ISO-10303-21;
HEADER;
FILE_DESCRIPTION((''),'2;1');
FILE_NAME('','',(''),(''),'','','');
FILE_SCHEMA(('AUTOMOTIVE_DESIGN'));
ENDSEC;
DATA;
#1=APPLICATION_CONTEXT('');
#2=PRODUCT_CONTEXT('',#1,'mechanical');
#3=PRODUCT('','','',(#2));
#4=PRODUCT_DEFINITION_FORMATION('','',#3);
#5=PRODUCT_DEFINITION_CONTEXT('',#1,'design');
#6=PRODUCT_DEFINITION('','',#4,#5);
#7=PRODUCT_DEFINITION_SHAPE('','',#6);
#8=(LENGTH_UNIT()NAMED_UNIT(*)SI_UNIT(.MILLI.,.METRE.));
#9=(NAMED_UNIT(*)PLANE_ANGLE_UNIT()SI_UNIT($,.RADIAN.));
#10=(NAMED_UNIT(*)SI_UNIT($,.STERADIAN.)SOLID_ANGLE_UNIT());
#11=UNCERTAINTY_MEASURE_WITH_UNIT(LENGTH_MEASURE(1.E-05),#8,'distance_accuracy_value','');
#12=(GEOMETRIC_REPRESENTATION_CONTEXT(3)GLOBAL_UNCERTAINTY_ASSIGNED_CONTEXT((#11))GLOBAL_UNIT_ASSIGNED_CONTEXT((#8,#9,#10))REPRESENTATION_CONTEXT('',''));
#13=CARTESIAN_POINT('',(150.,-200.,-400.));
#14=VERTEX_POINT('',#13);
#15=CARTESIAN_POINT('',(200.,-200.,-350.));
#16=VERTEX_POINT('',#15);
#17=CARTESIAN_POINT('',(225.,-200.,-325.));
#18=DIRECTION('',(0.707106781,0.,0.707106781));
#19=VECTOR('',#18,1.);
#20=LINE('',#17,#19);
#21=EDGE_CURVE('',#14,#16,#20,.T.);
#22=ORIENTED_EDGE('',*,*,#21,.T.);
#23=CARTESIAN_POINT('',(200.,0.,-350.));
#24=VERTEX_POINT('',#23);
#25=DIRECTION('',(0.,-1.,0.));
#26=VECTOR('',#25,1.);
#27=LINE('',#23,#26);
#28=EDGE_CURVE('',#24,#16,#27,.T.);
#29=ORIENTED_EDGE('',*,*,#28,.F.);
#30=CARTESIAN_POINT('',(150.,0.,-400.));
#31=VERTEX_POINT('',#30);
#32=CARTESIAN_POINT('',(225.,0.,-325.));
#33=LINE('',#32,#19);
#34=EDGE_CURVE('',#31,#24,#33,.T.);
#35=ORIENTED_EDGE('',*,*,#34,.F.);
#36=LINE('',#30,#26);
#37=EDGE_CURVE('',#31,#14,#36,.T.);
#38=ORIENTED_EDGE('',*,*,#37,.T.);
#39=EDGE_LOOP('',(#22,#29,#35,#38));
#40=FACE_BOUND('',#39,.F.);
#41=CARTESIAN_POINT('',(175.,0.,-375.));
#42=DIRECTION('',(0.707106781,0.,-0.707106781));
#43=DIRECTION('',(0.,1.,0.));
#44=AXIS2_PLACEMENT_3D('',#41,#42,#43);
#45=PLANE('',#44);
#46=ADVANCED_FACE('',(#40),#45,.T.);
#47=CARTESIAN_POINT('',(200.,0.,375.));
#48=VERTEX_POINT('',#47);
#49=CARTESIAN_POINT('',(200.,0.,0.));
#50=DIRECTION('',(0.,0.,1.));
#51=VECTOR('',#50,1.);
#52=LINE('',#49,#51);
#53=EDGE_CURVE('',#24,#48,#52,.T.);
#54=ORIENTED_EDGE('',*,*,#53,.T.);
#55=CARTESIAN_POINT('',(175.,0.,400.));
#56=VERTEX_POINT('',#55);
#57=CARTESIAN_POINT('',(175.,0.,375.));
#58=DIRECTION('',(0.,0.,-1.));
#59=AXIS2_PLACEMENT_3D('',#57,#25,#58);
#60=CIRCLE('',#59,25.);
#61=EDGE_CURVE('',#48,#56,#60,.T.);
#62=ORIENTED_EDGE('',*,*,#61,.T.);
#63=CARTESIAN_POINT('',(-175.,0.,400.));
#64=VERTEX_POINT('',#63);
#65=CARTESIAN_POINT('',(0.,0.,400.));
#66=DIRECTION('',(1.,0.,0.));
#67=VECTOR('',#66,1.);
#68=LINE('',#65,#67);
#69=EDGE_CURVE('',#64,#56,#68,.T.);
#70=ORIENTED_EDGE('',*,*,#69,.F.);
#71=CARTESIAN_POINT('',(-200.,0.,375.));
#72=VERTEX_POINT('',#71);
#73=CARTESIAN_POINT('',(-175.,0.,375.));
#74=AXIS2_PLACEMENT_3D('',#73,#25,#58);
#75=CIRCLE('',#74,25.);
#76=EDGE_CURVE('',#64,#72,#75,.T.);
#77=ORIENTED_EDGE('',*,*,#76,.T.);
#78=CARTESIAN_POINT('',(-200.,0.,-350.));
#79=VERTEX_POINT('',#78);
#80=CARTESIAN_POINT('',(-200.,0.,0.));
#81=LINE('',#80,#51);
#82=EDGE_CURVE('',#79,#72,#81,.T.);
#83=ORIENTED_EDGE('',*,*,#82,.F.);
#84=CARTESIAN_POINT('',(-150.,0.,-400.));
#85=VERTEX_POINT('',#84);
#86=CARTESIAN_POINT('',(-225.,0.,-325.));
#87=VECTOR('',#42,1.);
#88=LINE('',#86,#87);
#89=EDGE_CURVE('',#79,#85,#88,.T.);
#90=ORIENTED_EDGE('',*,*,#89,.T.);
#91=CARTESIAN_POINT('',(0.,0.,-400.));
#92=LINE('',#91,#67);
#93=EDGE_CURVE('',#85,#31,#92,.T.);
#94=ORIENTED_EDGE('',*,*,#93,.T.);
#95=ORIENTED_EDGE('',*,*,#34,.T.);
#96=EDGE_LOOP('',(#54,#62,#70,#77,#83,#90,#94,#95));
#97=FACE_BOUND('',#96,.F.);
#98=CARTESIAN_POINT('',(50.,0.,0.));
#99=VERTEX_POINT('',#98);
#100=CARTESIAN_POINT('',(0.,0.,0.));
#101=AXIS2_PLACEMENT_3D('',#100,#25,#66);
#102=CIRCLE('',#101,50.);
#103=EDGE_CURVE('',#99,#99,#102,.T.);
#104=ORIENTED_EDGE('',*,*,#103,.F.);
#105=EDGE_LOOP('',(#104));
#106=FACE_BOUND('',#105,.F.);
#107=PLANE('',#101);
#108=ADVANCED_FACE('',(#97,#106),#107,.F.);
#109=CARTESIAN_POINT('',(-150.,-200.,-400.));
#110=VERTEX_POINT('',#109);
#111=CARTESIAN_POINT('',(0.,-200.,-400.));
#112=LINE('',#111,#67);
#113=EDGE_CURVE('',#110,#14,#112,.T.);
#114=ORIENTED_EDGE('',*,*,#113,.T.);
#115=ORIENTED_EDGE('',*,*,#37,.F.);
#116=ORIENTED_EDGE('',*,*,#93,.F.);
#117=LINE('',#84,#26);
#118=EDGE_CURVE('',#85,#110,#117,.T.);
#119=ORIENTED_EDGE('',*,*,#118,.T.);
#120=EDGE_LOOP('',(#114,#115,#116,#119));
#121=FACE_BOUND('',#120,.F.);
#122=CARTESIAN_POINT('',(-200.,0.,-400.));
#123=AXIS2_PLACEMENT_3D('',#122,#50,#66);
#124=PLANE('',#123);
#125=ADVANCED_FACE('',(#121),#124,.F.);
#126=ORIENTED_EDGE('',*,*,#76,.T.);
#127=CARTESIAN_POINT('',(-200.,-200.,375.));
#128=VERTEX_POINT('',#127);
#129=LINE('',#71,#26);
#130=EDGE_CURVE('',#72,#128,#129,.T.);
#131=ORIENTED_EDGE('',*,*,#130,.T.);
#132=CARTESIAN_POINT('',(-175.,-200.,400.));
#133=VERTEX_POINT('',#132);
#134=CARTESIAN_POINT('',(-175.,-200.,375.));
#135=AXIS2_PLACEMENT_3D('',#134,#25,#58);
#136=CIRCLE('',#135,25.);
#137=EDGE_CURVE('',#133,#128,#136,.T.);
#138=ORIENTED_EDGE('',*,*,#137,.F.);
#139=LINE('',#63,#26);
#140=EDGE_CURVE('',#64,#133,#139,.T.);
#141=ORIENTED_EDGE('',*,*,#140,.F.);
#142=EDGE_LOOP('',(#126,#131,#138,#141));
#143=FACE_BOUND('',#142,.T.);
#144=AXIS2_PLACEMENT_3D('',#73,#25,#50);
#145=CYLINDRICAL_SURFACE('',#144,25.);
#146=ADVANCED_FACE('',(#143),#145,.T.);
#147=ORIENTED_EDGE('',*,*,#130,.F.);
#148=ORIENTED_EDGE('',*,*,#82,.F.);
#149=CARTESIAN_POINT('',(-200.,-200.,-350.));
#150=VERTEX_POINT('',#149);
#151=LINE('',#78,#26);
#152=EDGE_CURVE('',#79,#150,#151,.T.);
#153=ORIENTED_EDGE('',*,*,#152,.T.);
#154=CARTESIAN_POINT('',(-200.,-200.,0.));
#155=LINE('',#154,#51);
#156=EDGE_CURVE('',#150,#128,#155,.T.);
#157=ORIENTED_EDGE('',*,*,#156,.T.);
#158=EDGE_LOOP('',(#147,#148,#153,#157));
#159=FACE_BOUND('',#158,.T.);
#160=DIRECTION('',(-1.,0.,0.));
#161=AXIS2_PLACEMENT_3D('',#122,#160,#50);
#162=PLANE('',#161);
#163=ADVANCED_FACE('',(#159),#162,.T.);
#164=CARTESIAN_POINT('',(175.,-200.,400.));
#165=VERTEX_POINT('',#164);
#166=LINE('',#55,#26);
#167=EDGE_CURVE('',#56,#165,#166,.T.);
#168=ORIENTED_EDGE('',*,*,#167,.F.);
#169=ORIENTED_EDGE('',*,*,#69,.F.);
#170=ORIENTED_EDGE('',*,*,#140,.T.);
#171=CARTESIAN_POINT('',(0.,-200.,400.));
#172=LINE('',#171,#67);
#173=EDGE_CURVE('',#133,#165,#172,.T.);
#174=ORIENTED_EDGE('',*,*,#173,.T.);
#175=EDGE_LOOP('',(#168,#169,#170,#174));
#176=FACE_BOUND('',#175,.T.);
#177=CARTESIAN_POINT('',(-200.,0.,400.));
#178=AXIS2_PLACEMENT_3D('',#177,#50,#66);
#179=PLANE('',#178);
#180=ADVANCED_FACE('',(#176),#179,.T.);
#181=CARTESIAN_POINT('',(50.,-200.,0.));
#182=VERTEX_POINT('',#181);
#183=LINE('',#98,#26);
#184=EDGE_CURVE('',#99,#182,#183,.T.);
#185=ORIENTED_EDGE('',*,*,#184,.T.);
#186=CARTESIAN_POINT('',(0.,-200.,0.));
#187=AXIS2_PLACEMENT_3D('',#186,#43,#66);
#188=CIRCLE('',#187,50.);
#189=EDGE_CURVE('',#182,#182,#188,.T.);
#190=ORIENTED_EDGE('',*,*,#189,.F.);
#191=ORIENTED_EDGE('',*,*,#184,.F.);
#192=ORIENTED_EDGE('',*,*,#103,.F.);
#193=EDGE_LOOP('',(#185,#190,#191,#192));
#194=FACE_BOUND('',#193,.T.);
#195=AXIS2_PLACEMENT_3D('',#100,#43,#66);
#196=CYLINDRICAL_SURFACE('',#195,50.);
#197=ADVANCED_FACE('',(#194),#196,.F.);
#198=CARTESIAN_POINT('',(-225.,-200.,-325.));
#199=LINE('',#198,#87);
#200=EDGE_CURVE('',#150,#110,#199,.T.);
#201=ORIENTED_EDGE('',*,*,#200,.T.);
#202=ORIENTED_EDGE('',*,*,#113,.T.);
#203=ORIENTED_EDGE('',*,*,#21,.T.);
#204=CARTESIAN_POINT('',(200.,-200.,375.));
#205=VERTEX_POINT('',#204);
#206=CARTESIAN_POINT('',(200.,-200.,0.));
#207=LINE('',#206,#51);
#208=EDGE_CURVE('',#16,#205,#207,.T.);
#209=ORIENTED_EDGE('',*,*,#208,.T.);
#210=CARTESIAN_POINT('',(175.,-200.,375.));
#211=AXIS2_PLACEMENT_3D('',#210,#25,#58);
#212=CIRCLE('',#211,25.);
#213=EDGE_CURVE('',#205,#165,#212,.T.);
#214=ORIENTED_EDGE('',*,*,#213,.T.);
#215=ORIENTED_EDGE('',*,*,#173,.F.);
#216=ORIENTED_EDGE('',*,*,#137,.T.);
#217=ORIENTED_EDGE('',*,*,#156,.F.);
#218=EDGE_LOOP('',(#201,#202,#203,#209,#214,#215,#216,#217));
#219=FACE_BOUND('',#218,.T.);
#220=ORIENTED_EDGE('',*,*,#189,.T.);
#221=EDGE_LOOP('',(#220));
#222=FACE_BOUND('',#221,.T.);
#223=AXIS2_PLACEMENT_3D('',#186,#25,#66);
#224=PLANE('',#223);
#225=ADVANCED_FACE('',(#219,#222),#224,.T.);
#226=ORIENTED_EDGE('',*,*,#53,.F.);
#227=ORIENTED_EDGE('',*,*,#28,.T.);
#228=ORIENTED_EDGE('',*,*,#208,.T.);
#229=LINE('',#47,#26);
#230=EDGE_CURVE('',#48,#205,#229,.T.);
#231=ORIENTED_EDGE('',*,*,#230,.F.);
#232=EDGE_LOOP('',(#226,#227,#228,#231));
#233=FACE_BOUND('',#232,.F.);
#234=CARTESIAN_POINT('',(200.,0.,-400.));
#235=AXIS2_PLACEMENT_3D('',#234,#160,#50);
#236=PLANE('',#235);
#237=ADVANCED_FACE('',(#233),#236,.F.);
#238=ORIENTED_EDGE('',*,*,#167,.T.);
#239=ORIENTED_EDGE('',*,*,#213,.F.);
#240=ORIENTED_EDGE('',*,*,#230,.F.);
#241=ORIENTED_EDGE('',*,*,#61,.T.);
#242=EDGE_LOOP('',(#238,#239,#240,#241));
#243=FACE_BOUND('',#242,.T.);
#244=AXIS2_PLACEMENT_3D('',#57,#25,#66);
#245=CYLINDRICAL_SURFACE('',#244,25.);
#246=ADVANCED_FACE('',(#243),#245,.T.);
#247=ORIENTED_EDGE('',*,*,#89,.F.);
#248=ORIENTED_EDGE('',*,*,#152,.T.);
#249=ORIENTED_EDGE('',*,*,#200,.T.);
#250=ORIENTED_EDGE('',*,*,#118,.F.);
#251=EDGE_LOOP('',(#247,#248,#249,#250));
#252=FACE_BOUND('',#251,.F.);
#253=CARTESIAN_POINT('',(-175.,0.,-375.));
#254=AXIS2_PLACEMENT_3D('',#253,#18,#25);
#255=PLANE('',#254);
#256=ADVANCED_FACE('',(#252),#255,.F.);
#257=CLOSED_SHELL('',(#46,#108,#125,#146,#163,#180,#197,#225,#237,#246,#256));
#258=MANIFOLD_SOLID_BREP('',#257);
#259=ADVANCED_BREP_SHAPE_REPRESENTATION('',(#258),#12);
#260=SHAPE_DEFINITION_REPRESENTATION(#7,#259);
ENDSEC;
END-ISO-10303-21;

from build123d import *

# Parameters (mm, degrees)
F0_W     = 400
F0_H     = 800
F1_DEPTH = 200
F2_R     = 50
F3_DEPTH = 250
F4_SIZE  = 50
F5_SIZE  = 50
F6_R     = 25
F7_R     = 25


with BuildPart() as f1:
    # F0 (on Front) → F1 (new body)
    with BuildSketch(Plane.XZ):
        Rectangle(F0_W, F0_H)
    extrude(amount=F1_DEPTH)

    # F2 (on Front) → F3 (cut)
    with BuildSketch(Plane.XZ):
        Circle(F2_R)
    extrude(amount=F3_DEPTH, mode=Mode.SUBTRACT)

    # F4
    f4_edges = [f1.edges().sort_by_distance(p)[0] for p in [
        (-200, -100, -400),
    ]]
    chamfer(f4_edges, length=F4_SIZE)

    # F5
    f5_edges = [f1.edges().sort_by_distance(p)[0] for p in [
        (200, -100, -400),
    ]]
    chamfer(f5_edges, length=F5_SIZE)

    # F6
    f6_edges = [f1.edges().sort_by_distance(p)[0] for p in [
        (200, -100, 400),
    ]]
    fillet(f6_edges, radius=F6_R)

    # F7
    f7_edges = [f1.edges().sort_by_distance(p)[0] for p in [
        (-200, -100, 400),
    ]]
    fillet(f7_edges, radius=F7_R)


solid = f1.part
